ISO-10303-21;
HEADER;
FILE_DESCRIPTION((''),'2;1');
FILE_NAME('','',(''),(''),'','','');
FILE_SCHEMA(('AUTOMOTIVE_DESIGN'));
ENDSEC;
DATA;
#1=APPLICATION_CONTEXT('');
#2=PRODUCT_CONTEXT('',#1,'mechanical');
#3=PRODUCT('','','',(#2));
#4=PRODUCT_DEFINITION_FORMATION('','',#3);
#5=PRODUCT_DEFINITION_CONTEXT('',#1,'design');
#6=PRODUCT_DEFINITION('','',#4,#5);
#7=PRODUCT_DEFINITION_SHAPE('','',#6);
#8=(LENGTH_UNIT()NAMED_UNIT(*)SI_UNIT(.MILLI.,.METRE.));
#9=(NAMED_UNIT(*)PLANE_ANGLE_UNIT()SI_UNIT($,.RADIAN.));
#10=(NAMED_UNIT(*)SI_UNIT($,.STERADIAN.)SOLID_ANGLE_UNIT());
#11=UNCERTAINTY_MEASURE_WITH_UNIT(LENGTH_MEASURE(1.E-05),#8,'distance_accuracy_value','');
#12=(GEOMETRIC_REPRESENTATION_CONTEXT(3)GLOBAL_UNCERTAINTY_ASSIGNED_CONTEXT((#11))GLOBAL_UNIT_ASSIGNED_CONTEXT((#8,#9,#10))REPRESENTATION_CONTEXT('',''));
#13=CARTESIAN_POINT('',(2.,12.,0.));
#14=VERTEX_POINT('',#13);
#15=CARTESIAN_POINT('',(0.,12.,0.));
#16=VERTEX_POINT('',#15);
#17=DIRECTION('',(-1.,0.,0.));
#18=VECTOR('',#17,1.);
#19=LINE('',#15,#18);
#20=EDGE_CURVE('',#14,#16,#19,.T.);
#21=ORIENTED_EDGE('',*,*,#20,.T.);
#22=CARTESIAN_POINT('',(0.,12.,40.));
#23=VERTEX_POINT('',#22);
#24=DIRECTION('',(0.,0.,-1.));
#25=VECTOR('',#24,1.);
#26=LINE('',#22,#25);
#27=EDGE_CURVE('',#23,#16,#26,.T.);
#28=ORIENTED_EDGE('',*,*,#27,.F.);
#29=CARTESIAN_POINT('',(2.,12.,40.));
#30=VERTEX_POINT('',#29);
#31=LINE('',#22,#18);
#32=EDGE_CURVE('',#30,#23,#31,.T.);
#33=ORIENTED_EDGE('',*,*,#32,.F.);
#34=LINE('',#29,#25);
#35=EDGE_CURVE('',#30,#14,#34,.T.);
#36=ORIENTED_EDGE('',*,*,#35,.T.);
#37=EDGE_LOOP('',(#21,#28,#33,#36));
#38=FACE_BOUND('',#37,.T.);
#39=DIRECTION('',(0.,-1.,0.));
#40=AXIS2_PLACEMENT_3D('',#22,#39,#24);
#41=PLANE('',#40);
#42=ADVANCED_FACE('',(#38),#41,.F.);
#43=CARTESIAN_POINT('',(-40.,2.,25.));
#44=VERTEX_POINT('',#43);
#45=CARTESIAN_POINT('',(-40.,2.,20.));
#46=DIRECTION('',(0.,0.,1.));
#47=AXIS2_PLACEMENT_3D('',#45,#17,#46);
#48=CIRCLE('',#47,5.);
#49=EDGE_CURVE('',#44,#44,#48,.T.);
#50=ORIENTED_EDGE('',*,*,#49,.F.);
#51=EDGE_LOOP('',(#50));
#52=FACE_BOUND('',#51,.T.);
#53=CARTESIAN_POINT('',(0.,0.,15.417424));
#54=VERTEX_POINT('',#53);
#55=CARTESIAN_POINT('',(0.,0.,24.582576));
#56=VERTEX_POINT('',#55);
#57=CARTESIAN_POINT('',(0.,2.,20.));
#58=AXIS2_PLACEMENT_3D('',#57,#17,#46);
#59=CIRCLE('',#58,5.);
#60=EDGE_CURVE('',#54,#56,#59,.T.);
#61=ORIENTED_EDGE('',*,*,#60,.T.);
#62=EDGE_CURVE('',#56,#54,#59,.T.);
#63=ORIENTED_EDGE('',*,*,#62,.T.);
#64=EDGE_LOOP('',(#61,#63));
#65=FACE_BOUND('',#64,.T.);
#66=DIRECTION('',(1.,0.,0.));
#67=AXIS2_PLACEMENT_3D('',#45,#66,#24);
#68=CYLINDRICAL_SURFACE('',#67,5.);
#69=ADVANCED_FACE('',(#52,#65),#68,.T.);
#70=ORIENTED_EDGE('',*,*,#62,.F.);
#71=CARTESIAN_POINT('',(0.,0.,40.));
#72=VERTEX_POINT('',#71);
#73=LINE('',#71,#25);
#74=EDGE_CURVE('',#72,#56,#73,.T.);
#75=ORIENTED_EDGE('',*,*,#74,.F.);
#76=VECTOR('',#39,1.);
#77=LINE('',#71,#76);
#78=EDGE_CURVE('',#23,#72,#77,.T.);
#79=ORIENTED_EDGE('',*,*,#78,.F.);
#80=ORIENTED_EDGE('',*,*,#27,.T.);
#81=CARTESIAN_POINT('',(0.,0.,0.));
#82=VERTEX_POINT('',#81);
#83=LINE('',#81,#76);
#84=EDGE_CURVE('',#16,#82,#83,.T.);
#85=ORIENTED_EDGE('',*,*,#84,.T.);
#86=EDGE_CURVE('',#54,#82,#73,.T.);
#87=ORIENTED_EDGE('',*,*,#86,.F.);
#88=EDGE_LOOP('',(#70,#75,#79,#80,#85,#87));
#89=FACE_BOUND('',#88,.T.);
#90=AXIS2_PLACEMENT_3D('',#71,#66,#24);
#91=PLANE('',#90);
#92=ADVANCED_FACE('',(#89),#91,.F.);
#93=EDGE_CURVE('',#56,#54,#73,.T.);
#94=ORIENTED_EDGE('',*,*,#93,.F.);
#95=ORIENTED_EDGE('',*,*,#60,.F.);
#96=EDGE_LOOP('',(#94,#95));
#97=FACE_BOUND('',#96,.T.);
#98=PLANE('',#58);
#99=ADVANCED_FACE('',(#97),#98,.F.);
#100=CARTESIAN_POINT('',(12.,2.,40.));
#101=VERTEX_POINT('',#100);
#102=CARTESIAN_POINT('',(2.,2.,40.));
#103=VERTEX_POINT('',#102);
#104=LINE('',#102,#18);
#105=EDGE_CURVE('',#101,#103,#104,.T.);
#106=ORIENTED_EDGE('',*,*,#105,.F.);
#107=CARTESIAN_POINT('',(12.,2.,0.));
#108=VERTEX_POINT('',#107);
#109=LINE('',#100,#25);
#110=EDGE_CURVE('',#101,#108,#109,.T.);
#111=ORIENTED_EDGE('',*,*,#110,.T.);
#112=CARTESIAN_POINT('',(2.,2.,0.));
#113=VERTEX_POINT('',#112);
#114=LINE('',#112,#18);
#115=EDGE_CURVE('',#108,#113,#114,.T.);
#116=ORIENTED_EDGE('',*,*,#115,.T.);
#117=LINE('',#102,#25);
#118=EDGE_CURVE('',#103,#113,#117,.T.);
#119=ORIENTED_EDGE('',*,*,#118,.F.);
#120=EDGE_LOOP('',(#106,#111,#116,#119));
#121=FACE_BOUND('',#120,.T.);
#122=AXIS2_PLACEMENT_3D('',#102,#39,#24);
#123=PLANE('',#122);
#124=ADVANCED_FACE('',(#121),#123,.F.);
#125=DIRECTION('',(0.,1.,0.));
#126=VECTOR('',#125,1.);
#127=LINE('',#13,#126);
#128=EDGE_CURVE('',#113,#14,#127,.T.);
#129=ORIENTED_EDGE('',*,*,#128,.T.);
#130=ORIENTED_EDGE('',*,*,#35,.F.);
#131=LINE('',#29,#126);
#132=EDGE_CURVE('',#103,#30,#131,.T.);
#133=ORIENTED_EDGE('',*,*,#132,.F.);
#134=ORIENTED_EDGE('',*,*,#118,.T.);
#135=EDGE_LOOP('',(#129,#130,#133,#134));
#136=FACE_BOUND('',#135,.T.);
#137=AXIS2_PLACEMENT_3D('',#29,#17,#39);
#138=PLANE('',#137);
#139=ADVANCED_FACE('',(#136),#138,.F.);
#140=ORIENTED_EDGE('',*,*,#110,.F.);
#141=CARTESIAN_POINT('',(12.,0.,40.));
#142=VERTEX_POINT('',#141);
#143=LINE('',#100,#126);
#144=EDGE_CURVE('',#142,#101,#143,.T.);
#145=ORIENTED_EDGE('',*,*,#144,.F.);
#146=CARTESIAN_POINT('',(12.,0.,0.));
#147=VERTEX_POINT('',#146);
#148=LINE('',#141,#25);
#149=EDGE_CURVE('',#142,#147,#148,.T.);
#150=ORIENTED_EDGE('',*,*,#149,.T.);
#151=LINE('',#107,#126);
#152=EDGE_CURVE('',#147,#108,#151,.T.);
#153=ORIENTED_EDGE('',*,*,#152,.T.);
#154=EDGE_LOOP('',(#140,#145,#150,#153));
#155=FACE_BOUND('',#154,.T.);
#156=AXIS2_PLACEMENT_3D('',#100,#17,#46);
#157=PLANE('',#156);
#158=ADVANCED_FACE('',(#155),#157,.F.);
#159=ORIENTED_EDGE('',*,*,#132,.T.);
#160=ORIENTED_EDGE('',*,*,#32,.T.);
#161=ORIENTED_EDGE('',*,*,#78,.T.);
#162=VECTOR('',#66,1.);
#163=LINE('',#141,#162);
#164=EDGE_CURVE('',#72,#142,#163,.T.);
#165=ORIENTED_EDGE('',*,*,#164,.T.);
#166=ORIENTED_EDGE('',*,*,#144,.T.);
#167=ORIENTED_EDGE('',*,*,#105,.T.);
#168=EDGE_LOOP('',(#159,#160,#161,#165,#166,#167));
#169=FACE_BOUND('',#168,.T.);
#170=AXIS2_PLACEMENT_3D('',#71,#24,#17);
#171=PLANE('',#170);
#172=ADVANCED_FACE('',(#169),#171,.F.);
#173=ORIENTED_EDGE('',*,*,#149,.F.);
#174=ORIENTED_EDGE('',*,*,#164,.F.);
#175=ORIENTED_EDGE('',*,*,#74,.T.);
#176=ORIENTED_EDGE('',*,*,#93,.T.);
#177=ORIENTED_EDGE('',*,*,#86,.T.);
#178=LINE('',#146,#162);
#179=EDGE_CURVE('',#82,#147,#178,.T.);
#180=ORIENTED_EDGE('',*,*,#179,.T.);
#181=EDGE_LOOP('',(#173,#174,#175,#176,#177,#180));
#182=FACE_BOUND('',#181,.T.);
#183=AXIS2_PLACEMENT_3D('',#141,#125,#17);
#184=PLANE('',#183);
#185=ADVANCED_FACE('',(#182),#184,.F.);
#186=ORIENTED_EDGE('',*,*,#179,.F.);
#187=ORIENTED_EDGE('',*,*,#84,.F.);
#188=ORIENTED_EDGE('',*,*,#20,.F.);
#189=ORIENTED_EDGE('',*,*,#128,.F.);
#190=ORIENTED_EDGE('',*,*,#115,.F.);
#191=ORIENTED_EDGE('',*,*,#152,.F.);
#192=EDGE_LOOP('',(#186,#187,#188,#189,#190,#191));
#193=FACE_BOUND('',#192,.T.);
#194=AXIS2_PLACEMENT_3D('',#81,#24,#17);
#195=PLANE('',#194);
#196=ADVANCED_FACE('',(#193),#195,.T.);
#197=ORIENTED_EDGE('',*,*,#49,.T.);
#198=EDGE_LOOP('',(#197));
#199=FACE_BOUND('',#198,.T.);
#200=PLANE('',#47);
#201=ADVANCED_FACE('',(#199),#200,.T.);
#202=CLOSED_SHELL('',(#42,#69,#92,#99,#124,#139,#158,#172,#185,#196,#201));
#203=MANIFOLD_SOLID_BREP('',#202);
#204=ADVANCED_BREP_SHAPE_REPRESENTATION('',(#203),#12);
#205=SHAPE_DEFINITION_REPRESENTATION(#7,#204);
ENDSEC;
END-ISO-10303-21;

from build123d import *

# Parameters (mm, degrees)
BOSS_EXTRU_1_DEPTH = 40
ESQUISSE2_R        = 5
BOSS_EXTRU_2_DEPTH = 40


with BuildPart() as part:
    # Esquisse1 → Boss.-Extru.1 (new body)
    with BuildSketch(Plane.XY):
        Polygon((0, 0), (0, 12), (2, 12), (2, 2), (12, 2), (12, 0), align=None)
    extrude(amount=BOSS_EXTRU_1_DEPTH)

    # Esquisse2 → Boss.-Extru.2 (add)
    with BuildSketch(Plane.ZY):
        with Locations(Location((20, 2, 0), (0, 0, 203.578178478))):
            Circle(ESQUISSE2_R)
    extrude(amount=BOSS_EXTRU_2_DEPTH)


solid = part.part
